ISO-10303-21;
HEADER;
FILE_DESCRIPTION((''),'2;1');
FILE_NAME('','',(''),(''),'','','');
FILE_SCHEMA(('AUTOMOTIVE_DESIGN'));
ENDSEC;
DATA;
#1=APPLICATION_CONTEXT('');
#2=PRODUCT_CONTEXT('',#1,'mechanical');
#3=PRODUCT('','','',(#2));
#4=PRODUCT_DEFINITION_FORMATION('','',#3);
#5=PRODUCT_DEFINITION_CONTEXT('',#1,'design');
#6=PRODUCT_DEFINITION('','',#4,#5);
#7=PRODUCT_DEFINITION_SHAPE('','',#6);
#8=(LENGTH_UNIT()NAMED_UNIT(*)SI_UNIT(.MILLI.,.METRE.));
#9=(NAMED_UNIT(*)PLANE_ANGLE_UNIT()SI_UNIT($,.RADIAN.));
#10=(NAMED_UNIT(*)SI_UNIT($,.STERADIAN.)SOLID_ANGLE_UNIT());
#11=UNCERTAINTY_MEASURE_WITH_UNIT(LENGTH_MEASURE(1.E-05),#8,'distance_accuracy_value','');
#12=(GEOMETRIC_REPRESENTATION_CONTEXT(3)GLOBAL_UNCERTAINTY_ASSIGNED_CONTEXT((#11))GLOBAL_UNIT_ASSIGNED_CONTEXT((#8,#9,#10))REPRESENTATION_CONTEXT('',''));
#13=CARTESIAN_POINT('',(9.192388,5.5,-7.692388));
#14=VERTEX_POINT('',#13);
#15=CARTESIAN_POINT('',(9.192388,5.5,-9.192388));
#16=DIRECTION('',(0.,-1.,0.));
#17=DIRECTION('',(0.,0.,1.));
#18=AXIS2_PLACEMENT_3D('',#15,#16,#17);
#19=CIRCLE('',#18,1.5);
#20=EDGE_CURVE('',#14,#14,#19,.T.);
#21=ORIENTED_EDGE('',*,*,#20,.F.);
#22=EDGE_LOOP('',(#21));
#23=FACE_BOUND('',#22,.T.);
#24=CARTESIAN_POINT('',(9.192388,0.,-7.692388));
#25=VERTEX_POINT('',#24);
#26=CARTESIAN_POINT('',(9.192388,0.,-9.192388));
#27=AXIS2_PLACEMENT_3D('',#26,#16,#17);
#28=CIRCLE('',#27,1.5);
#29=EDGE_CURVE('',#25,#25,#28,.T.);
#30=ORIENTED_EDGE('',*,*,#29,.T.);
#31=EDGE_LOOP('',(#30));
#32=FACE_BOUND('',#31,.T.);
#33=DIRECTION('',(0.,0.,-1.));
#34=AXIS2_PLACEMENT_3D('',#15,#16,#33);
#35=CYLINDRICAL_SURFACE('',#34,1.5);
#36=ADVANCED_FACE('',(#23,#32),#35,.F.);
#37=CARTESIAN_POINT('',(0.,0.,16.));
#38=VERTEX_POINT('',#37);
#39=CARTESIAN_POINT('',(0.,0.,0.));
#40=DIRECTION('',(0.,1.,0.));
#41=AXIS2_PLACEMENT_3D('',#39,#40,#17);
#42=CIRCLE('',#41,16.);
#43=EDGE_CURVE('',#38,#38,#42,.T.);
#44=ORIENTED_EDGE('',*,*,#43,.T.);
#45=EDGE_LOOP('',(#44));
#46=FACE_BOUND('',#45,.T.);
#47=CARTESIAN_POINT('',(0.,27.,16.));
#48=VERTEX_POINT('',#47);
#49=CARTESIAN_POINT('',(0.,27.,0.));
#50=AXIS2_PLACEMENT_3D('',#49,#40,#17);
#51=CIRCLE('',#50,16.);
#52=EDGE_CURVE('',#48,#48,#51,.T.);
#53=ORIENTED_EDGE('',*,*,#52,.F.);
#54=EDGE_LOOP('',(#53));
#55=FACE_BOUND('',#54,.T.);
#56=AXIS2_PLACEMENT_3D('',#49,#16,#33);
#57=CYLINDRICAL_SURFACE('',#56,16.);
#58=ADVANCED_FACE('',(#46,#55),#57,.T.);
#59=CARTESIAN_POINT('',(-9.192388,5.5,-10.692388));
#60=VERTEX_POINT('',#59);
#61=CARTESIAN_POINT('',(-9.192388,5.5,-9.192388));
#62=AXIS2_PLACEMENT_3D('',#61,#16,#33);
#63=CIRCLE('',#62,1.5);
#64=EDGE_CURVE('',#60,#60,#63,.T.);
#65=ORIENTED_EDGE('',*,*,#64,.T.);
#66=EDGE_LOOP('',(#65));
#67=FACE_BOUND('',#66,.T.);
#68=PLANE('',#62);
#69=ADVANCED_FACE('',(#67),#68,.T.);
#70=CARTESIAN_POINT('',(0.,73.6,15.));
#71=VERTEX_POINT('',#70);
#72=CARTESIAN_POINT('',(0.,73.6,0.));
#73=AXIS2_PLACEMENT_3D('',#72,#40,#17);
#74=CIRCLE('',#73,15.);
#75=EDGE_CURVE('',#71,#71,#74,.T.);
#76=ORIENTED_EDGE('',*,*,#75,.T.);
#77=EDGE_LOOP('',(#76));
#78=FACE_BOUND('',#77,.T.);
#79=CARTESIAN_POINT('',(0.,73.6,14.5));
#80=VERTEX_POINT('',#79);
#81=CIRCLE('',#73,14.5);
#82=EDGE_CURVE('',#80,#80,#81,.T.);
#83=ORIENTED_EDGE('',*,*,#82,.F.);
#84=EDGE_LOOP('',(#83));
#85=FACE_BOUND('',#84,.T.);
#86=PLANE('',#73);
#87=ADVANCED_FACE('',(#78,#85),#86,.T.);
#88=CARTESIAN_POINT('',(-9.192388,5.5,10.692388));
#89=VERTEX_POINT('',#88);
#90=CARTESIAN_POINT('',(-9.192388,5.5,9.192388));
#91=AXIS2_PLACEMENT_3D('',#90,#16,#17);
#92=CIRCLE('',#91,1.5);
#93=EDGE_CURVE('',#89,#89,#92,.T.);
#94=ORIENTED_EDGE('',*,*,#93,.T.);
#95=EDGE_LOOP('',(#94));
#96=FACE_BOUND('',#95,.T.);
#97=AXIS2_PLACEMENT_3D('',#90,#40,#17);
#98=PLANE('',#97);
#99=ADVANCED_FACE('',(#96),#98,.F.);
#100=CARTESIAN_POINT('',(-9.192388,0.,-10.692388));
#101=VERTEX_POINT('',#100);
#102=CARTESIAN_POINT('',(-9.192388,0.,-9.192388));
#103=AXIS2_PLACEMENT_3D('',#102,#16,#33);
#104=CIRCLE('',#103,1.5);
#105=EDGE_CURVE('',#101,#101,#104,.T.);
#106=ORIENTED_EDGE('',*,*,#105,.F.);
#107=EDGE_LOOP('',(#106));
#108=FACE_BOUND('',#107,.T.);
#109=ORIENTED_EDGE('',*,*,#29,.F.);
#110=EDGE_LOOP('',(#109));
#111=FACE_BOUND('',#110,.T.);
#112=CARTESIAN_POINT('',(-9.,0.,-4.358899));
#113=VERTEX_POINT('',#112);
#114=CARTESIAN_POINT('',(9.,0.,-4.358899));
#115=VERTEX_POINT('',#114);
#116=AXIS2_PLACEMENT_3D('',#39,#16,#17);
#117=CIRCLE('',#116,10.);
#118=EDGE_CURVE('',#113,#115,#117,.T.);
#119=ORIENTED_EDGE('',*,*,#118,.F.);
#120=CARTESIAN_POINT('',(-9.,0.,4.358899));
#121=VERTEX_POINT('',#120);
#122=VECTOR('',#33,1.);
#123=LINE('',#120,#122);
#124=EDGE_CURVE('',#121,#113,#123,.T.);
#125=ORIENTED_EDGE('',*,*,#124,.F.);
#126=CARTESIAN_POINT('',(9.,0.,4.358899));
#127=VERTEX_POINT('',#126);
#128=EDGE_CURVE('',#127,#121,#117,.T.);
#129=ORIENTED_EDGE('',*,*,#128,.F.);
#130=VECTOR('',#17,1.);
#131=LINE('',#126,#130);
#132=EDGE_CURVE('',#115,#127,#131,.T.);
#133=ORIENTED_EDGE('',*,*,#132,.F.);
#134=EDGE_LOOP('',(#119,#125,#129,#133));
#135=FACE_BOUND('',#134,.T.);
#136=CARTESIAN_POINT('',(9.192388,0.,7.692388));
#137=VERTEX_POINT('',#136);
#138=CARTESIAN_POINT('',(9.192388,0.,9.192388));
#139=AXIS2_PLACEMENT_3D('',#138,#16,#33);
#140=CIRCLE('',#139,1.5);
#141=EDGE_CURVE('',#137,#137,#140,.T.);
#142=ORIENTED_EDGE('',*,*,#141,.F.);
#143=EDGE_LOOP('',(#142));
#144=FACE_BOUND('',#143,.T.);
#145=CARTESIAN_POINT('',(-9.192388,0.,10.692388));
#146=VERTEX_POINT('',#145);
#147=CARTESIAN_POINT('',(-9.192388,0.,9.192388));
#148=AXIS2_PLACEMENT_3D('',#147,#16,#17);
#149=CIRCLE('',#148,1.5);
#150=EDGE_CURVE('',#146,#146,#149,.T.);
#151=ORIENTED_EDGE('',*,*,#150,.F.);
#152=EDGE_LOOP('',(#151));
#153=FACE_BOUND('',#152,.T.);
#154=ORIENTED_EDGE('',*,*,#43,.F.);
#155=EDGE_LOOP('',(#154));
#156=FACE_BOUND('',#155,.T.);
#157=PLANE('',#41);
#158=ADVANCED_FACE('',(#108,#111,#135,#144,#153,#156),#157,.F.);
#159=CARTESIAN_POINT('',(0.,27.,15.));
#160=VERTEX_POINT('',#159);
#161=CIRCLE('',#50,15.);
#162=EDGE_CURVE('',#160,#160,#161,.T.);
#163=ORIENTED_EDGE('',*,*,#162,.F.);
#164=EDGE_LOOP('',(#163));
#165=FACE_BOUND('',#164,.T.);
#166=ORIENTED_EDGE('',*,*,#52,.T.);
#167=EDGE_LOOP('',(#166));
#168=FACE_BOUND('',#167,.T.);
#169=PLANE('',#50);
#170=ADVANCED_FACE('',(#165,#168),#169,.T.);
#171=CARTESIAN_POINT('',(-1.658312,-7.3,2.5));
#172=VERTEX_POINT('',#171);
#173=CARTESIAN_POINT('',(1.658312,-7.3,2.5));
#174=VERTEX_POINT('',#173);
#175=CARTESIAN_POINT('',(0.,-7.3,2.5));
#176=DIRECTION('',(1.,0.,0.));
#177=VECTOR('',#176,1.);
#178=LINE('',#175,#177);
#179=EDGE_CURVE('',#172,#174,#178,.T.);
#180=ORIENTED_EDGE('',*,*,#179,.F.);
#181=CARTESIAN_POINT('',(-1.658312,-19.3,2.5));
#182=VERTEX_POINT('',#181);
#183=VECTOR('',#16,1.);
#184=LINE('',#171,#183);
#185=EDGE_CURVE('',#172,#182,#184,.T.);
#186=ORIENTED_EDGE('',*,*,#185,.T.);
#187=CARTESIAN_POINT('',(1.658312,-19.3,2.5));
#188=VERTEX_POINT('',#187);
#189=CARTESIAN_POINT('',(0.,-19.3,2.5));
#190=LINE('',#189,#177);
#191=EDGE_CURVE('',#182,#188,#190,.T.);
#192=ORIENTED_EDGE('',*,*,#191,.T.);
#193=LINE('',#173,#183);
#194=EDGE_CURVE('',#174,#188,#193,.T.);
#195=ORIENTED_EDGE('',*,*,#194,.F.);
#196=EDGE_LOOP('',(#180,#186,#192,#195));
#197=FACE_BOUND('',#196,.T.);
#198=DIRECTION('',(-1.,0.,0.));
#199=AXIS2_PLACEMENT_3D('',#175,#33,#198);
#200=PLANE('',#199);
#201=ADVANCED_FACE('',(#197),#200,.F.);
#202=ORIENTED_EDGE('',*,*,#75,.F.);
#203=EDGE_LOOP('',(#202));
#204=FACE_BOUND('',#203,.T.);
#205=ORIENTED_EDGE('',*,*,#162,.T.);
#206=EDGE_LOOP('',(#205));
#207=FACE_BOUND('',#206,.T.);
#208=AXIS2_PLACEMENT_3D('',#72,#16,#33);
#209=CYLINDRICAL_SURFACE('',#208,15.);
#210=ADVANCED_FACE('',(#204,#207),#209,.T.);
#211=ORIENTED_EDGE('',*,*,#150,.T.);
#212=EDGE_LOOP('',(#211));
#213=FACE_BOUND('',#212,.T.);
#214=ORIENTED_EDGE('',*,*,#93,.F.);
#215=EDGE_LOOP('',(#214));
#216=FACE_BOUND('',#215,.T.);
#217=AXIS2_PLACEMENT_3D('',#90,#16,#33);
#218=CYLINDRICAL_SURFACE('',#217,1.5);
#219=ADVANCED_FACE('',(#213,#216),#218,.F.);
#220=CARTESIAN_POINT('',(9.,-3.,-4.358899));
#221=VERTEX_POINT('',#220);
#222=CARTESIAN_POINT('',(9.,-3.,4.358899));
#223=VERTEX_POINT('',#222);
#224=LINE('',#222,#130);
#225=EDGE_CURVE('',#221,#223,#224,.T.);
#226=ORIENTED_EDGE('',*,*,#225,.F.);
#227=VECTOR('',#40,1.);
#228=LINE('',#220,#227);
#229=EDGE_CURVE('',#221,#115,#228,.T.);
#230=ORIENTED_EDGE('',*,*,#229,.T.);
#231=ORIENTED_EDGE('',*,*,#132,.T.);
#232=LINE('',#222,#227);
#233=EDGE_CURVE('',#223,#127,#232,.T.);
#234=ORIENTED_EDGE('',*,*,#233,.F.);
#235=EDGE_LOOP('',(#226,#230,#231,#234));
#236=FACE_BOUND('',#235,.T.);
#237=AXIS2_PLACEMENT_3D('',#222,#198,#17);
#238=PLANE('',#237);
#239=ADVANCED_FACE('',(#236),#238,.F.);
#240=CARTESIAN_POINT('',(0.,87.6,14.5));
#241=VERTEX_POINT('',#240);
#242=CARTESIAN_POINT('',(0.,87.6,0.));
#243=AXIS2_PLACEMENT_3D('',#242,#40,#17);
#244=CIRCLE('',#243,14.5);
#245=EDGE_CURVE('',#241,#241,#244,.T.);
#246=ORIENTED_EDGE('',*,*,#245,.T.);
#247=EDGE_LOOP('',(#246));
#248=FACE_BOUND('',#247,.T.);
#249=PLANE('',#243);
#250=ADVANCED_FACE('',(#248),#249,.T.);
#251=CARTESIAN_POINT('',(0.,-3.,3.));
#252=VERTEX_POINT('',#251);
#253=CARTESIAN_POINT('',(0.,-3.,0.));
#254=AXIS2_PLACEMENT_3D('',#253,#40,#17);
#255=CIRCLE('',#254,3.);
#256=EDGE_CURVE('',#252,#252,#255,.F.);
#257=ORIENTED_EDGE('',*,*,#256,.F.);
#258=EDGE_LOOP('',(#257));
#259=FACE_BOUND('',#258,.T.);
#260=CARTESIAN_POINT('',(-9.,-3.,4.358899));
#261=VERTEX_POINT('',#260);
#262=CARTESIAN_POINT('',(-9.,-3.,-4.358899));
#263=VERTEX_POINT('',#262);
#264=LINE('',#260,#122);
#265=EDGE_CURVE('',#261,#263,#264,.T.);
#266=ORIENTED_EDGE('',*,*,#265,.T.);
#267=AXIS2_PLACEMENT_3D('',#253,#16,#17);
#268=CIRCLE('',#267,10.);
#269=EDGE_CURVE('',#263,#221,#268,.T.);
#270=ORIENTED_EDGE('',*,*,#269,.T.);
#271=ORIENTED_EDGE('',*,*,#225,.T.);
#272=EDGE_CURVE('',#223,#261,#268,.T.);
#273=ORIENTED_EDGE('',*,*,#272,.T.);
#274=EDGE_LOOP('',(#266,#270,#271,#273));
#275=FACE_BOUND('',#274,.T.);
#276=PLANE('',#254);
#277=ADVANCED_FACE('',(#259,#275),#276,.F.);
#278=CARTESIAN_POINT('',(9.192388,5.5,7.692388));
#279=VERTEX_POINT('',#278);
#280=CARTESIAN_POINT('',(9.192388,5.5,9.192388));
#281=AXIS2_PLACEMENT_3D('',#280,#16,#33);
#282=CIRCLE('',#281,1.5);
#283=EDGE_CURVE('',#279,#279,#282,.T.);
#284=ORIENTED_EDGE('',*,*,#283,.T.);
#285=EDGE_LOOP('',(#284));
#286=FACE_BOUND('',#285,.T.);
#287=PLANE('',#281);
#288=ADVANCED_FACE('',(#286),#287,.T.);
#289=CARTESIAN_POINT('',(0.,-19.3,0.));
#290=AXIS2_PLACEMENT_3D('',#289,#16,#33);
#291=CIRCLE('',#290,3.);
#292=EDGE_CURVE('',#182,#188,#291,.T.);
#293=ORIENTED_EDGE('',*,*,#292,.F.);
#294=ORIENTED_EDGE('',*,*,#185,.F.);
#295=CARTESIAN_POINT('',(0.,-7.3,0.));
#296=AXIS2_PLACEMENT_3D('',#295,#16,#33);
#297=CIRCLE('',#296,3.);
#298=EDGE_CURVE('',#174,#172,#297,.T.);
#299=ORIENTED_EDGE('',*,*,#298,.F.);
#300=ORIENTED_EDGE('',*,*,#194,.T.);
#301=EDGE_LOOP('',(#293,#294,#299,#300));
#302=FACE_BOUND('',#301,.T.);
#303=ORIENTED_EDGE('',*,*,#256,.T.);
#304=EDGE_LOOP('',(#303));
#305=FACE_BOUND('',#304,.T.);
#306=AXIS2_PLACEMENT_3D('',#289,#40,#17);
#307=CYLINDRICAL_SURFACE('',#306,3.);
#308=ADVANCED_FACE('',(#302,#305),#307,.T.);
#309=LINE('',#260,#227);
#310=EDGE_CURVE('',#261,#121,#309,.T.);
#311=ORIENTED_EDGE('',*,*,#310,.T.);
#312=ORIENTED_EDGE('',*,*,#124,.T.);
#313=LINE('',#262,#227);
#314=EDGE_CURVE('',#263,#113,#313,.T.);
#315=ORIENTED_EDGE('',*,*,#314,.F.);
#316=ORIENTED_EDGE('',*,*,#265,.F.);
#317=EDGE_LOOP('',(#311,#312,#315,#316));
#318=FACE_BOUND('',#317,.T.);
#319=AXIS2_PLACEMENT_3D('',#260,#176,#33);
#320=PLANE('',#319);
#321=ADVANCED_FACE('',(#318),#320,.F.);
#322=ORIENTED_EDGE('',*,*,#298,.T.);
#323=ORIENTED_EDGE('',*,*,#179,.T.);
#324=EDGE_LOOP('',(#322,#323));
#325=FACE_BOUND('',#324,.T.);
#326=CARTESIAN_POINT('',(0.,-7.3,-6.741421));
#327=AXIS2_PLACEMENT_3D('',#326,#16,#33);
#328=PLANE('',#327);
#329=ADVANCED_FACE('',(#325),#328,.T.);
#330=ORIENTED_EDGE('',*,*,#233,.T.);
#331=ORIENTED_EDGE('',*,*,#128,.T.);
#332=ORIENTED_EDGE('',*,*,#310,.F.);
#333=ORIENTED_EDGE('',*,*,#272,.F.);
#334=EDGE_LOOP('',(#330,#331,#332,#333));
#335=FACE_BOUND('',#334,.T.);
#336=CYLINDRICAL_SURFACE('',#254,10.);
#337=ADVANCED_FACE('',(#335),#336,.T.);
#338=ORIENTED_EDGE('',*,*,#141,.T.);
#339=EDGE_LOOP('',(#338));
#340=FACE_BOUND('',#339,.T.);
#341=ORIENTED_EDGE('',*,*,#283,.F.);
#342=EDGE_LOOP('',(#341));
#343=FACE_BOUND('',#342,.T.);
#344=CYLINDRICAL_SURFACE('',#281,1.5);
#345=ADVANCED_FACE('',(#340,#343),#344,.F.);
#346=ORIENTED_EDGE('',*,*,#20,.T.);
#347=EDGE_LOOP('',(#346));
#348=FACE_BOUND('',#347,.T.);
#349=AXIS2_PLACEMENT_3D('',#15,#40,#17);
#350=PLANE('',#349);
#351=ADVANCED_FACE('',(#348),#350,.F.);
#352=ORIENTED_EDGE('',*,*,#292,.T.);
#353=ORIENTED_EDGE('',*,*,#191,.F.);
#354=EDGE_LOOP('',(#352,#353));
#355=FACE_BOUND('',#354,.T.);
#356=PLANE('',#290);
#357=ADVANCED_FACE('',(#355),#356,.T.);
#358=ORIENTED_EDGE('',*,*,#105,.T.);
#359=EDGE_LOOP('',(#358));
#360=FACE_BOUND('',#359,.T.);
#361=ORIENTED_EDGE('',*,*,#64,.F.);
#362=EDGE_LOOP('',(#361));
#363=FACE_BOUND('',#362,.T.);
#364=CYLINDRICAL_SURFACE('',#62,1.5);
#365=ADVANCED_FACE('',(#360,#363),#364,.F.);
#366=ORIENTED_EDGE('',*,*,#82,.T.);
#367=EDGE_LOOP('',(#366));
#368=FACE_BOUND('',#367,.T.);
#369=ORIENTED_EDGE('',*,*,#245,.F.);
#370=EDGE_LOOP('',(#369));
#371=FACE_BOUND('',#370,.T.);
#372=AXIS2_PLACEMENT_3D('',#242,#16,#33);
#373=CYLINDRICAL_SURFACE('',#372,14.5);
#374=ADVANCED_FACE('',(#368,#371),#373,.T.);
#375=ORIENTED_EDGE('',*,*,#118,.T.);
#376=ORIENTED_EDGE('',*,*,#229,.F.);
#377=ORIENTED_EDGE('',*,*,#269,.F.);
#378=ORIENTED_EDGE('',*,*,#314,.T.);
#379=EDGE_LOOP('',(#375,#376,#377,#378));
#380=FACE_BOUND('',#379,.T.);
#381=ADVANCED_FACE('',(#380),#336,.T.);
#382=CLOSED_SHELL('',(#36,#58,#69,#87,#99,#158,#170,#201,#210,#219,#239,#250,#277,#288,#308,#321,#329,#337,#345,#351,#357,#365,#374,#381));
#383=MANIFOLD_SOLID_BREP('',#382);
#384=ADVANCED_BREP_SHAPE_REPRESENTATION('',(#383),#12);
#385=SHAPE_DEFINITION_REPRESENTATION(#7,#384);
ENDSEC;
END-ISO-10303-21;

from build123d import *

# Parameters (mm, degrees)
ESQUISSE1_R             = 16
EXTRUSION1_DEPTH        = 27
EXTRUSION2_DEPTH        = 3
ESQUISSE3_R             = 3
EXTRUSION3_DEPTH        = 16.3
ENL_V_MAT_EXTRU_1_DEPTH = 12
ESQUISSE5_R             = 15
EXTRUSION4_DEPTH        = 46.6
ESQUISSE6_R             = 1.5
ENL_V_MAT_EXTRU_2_DEPTH = 5.5
ESQUISSE7_R             = 14.5
EXTRUSION5_DEPTH        = 14


with BuildPart() as part:
    # Esquisse1 → Extrusion1 (new body)
    with BuildSketch(Plane(origin=(0, 0, 0), x_dir=(1, 0, 0), z_dir=(0, 1, 0))):
        Circle(ESQUISSE1_R)
    extrude(amount=EXTRUSION1_DEPTH)

    # Esquisse2 → Extrusion2 (add)
    with BuildSketch(Plane.XZ):
        with BuildLine():
            Line((-9, 4.358898944), (-9, -4.358898944))
            ThreePointArc((-9, -4.358898944), (0, -10), (9, -4.358898944))
            Line((9, -4.358898944), (9, 4.358898944))
            ThreePointArc((9, 4.358898944), (0, 10), (-9, 4.358898944))
        make_face()
    extrude(amount=EXTRUSION2_DEPTH)

    # Esquisse3 → Extrusion3 (add)
    with BuildSketch(Plane.XZ.offset(3)):
        Circle(ESQUISSE3_R)
    extrude(amount=EXTRUSION3_DEPTH)

    # Esquisse4 → Enlèv. mat.-Extru.1 (cut)
    with BuildSketch(Plane.XZ.offset(19.3)):
        with BuildLine():
            Line((-1.658312395, 2.5), (1.658312395, 2.5))
            ThreePointArc((1.658312395, 2.5), (0, 3), (-1.658312395, 2.5))
        make_face()
    extrude(amount=-ENL_V_MAT_EXTRU_1_DEPTH, mode=Mode.SUBTRACT)

    # Esquisse5 → Extrusion4 (add)
    with BuildSketch(Plane(origin=(0, 27, 0), x_dir=(-1, 0, 0), z_dir=(0, 1, 0))):
        Circle(ESQUISSE5_R)
    extrude(amount=EXTRUSION4_DEPTH)

    # Esquisse6 → Enlèv. mat.-Extru.2 (cut)
    with BuildSketch(Plane.XZ):
        with Locations((9.192388155, 9.192388155)):
            Circle(ESQUISSE6_R)
        with Locations((-9.192388155, 9.192388155)):
            Circle(ESQUISSE6_R)
        with Locations((9.192388155, -9.192388155)):
            Circle(ESQUISSE6_R)
        with Locations((-9.192388155, -9.192388155)):
            Circle(ESQUISSE6_R)
    extrude(amount=-ENL_V_MAT_EXTRU_2_DEPTH, mode=Mode.SUBTRACT)

    # Esquisse7 → Extrusion5 (add)
    with BuildSketch(Plane(origin=(0, 73.6, 0), x_dir=(-1, 0, 0), z_dir=(0, 1, 0))):
        Circle(ESQUISSE7_R)
    extrude(amount=EXTRUSION5_DEPTH)


solid = part.part
